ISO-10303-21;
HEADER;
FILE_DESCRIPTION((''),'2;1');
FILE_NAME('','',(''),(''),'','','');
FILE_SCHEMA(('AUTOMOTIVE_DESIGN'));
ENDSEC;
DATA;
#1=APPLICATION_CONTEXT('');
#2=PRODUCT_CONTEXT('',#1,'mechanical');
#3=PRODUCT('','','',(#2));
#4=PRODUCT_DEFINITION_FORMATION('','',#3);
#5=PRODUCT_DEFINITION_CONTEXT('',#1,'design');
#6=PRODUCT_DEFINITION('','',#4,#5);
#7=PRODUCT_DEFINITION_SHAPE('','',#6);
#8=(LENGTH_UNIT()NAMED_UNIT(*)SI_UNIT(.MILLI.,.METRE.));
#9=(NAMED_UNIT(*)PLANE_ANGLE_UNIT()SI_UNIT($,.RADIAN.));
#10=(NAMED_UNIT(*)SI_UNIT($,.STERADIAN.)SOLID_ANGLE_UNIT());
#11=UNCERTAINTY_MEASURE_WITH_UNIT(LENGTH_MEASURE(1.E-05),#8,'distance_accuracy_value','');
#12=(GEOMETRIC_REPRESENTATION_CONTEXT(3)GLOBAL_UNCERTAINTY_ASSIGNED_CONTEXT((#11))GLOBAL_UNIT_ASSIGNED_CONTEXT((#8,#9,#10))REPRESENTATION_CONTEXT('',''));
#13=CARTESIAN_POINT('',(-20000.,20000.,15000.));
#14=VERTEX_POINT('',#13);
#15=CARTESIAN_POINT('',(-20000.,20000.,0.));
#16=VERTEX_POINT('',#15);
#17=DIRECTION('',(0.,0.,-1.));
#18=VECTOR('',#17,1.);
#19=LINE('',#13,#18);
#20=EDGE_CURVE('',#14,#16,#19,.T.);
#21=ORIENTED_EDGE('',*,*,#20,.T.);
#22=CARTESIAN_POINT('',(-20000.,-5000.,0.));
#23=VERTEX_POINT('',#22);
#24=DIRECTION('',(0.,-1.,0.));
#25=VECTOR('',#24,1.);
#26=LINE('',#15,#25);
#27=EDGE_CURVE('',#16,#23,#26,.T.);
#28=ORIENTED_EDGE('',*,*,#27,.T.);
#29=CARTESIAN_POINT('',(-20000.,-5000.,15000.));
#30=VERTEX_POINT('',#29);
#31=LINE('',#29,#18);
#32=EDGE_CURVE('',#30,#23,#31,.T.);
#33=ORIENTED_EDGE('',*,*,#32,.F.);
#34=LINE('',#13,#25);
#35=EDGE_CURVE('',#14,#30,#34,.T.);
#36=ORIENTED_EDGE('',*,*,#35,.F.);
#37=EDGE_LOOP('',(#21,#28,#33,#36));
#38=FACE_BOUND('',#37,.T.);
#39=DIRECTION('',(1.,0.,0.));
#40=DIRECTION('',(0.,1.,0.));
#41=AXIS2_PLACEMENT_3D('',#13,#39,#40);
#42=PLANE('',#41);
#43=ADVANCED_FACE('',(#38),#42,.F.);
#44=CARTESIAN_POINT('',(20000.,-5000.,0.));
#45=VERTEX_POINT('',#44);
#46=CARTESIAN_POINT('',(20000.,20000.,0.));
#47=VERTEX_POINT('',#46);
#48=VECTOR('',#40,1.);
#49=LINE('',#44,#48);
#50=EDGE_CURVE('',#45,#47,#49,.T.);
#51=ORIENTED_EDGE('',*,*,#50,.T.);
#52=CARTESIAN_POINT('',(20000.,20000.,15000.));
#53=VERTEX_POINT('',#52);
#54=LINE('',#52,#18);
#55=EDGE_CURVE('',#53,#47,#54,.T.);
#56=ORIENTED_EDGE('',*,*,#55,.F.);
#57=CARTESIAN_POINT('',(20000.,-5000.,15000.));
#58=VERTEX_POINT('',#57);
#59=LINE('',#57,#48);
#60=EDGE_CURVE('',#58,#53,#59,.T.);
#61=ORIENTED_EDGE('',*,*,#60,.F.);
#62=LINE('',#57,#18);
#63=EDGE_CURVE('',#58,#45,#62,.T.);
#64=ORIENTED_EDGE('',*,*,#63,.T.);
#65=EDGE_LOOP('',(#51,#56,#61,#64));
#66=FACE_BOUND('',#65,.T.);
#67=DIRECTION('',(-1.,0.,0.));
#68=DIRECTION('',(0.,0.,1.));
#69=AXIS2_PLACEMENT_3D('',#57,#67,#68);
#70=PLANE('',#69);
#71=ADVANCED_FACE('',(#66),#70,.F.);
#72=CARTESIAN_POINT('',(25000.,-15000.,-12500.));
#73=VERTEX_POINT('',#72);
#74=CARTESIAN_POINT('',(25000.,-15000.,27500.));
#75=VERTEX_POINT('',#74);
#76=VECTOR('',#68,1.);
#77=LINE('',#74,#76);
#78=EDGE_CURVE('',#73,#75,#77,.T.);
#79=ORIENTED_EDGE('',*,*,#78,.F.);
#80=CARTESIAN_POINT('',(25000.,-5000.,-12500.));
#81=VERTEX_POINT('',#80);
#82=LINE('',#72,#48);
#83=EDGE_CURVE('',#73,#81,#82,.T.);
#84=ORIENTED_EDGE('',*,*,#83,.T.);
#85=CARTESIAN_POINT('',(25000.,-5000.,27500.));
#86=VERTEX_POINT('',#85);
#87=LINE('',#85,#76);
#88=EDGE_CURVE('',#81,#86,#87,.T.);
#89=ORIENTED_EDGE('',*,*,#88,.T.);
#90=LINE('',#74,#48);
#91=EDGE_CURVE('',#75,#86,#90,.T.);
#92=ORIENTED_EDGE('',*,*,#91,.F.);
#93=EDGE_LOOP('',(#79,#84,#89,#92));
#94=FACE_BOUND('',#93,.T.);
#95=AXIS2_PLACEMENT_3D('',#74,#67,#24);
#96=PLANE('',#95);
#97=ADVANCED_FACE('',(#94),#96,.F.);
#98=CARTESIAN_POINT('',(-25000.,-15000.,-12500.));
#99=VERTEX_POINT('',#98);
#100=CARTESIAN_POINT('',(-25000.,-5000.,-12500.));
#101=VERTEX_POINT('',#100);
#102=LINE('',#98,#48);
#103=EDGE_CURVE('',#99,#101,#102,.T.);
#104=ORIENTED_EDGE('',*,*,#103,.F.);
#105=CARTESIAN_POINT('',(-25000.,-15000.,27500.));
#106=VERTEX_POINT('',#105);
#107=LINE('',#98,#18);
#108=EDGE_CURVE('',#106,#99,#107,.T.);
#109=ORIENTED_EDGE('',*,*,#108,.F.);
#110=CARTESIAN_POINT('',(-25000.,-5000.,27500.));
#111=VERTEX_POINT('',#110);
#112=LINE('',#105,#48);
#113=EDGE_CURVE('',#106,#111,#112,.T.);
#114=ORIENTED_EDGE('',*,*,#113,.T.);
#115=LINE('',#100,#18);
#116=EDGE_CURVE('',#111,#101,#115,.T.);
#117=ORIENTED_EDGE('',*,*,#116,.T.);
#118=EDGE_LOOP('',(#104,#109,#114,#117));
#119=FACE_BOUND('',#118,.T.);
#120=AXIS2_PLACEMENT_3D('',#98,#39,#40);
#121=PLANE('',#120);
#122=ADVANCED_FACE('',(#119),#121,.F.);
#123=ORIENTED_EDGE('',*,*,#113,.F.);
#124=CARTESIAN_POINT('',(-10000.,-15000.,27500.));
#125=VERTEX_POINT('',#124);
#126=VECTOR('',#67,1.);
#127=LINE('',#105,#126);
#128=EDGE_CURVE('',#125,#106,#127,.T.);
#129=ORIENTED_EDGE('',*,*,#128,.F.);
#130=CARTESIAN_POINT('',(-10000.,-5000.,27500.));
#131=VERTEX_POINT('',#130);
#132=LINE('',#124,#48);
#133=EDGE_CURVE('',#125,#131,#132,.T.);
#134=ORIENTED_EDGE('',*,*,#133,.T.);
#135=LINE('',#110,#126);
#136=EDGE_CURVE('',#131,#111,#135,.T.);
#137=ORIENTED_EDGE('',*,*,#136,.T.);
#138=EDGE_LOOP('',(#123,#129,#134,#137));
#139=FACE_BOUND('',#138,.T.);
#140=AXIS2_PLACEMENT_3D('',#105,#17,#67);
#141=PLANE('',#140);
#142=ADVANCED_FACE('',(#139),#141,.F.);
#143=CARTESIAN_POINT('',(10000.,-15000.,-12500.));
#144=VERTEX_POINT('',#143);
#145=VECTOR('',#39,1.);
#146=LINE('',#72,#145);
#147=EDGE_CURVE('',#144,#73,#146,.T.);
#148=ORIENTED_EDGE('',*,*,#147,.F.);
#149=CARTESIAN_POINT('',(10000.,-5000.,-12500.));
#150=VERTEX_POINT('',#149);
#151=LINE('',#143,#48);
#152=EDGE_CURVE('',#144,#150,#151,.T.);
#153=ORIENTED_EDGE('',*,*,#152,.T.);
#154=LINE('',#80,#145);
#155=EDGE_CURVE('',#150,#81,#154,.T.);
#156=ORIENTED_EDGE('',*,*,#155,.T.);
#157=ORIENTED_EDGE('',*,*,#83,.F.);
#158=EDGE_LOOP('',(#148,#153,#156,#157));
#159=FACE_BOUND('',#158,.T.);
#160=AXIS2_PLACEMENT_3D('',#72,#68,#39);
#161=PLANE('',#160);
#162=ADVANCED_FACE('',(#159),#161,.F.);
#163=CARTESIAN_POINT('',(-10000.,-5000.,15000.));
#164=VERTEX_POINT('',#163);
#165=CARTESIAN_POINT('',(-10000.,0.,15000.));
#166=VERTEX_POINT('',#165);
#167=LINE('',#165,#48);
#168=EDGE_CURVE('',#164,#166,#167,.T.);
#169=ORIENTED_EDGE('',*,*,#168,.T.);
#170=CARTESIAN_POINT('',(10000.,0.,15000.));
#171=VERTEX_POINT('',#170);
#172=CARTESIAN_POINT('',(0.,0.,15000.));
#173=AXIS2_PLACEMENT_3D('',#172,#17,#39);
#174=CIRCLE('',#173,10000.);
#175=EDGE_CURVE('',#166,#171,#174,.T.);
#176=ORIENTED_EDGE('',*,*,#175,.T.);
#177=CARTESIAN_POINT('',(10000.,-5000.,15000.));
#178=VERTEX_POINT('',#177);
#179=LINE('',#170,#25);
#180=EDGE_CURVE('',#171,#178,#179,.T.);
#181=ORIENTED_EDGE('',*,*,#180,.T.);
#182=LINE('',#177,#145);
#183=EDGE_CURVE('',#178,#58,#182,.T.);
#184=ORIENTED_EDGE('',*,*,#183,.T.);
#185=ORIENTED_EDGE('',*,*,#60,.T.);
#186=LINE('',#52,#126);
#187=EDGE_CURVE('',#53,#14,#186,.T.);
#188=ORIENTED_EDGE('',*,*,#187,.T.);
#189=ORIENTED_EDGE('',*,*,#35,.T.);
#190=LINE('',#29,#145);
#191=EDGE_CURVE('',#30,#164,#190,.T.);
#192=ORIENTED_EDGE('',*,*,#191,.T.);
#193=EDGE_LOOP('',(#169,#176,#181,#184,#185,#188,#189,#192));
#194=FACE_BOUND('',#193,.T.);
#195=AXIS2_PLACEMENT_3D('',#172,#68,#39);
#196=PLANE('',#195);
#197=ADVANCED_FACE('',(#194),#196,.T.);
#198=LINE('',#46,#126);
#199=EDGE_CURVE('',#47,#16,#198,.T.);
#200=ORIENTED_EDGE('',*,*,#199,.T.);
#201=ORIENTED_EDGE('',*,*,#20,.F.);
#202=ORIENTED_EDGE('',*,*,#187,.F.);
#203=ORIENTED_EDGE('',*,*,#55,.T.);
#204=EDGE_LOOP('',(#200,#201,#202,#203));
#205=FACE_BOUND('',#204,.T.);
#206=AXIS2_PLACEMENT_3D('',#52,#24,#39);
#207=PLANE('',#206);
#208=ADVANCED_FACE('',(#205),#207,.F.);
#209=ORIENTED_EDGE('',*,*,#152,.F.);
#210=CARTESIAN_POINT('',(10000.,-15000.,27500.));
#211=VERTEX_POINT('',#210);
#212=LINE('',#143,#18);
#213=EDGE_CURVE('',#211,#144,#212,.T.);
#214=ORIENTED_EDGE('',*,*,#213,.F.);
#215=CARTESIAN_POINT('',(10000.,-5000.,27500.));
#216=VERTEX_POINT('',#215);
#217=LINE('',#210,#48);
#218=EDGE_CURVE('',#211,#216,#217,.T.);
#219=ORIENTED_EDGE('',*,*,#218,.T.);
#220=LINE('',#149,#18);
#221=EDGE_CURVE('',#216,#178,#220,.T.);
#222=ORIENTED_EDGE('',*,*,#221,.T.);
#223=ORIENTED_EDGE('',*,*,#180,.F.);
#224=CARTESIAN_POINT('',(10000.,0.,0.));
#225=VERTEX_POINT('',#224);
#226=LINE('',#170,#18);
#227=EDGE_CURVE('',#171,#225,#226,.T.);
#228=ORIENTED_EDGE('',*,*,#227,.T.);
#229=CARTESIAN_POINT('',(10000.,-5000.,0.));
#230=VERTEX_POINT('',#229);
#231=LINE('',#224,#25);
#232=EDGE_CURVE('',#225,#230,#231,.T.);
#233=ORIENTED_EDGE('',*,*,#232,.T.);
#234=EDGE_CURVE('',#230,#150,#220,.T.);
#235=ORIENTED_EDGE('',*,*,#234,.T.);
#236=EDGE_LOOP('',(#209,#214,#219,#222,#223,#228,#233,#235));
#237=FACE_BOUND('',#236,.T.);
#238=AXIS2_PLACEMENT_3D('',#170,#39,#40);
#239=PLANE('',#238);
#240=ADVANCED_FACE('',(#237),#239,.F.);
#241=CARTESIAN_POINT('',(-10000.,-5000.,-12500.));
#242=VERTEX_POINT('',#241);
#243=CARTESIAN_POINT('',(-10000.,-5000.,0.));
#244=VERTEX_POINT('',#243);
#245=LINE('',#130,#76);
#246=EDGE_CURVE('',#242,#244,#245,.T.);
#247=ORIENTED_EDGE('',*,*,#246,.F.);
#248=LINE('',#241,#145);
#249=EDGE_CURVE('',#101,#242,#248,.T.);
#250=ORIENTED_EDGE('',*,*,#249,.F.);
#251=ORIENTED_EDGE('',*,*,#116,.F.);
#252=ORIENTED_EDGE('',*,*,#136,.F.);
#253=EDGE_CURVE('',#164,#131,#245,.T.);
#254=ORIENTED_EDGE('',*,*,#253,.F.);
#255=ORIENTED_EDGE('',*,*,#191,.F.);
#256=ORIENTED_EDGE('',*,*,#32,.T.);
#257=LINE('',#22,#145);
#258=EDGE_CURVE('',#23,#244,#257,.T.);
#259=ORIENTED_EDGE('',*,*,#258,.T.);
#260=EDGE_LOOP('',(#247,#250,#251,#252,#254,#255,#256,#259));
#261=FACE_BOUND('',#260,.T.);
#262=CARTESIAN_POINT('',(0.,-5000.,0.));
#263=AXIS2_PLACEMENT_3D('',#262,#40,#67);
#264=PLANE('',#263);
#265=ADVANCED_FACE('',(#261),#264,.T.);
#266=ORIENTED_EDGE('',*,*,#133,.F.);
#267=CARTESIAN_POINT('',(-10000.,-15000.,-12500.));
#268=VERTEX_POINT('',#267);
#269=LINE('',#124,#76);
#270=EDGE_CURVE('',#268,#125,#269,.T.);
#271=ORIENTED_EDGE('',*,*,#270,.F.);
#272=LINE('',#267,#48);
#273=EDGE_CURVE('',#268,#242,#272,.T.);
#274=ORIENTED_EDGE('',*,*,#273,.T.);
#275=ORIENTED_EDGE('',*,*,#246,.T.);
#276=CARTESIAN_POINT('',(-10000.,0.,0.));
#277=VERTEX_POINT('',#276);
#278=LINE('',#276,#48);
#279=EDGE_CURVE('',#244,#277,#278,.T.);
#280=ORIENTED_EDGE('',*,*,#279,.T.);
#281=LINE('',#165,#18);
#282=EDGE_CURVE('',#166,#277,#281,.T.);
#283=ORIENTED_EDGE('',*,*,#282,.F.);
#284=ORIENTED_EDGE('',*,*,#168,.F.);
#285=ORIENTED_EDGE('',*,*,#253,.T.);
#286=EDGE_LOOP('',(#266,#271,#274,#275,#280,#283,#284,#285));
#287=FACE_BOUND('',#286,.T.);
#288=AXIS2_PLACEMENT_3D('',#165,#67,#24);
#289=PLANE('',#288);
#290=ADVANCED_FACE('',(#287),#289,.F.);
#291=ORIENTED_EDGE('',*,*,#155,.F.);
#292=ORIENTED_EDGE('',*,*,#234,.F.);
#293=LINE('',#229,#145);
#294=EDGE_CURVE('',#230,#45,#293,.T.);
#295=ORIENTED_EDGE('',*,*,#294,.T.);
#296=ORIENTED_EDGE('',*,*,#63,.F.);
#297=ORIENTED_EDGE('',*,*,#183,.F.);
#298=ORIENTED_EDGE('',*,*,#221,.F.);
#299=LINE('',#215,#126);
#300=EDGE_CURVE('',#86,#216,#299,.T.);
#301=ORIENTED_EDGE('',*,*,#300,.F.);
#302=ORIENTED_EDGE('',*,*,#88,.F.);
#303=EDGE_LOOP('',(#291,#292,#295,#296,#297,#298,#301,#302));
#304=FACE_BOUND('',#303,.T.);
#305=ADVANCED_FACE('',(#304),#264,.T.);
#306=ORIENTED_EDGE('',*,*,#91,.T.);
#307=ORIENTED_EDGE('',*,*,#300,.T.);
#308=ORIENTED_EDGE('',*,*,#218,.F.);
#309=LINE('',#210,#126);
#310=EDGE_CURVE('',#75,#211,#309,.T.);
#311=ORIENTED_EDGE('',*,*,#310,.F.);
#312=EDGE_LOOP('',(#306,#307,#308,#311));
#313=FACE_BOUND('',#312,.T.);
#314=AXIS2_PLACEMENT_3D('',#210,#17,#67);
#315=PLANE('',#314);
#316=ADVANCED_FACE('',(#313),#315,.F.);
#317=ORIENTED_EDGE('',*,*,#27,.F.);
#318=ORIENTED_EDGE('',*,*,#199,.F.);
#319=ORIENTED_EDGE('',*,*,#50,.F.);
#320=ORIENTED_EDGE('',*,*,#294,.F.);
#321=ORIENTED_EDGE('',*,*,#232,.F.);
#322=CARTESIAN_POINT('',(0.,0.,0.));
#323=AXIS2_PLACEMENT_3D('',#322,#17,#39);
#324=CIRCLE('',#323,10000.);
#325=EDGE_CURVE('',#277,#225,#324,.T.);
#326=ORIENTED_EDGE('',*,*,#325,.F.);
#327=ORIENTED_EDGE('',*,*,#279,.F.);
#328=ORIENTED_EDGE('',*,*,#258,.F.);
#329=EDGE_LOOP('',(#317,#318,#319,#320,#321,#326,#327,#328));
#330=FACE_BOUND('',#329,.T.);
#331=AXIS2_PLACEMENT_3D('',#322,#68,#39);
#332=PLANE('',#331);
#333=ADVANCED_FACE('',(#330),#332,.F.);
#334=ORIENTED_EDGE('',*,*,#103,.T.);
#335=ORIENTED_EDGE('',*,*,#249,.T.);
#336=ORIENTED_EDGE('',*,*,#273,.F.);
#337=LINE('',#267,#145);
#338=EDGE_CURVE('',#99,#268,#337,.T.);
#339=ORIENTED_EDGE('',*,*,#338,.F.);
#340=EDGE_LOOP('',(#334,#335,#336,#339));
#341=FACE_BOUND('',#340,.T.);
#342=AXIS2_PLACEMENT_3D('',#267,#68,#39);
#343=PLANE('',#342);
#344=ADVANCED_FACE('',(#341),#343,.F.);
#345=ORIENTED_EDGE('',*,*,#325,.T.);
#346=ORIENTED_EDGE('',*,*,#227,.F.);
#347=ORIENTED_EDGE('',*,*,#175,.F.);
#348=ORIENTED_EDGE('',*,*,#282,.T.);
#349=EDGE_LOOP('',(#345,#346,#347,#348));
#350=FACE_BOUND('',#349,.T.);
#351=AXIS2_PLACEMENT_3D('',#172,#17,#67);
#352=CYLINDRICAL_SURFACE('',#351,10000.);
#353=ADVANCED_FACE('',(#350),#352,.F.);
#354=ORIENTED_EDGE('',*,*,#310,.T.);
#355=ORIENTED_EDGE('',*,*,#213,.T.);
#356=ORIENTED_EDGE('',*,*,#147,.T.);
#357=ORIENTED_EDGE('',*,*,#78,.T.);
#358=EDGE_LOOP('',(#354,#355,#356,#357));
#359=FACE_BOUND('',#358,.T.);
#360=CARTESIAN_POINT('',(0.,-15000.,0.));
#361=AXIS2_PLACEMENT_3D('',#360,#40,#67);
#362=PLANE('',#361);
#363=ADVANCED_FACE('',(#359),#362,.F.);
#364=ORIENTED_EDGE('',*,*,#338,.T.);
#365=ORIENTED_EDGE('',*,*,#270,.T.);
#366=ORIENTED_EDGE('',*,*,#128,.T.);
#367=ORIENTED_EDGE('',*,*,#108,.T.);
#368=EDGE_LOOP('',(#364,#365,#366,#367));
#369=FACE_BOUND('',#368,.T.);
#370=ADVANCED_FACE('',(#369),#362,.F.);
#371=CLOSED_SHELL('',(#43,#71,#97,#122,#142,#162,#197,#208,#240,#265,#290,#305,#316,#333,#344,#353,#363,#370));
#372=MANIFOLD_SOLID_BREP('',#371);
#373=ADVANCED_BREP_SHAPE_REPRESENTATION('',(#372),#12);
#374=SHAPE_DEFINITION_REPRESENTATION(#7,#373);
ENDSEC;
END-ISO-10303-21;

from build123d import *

# Parameters (mm, degrees)
BOSS_EXTRUDE1_DEPTH = 15000
SKETCH2_W           = 15000
SKETCH2_H           = 40000
BOSS_EXTRUDE2_DEPTH = 10000


with BuildPart() as part:
    # Sketch1 → Boss-Extrude1 (new body)
    with BuildSketch(Plane.XY):
        with BuildLine():
            Line((-10000, 0), (-10000, -5000))
            Line((-10000, -5000), (-20000, -5000))
            Line((-20000, -5000), (-20000, 20000))
            Line((-20000, 20000), (20000, 20000))
            Line((20000, 20000), (20000, -5000))
            Line((20000, -5000), (10000, -5000))
            Line((10000, -5000), (10000, 0))
            ThreePointArc((10000, 0), (0, 10000), (-10000, 0))
        make_face()
    extrude(amount=BOSS_EXTRUDE1_DEPTH)

    # Sketch2 → Boss-Extrude2 (add)
    with BuildSketch(Plane.XZ.offset(5000)):
        with Locations((17500, 7500)):
            Rectangle(SKETCH2_W, SKETCH2_H)
        with Locations((-17500, 7500)):
            Rectangle(SKETCH2_W, SKETCH2_H)
    extrude(amount=BOSS_EXTRUDE2_DEPTH)


solid = part.part
